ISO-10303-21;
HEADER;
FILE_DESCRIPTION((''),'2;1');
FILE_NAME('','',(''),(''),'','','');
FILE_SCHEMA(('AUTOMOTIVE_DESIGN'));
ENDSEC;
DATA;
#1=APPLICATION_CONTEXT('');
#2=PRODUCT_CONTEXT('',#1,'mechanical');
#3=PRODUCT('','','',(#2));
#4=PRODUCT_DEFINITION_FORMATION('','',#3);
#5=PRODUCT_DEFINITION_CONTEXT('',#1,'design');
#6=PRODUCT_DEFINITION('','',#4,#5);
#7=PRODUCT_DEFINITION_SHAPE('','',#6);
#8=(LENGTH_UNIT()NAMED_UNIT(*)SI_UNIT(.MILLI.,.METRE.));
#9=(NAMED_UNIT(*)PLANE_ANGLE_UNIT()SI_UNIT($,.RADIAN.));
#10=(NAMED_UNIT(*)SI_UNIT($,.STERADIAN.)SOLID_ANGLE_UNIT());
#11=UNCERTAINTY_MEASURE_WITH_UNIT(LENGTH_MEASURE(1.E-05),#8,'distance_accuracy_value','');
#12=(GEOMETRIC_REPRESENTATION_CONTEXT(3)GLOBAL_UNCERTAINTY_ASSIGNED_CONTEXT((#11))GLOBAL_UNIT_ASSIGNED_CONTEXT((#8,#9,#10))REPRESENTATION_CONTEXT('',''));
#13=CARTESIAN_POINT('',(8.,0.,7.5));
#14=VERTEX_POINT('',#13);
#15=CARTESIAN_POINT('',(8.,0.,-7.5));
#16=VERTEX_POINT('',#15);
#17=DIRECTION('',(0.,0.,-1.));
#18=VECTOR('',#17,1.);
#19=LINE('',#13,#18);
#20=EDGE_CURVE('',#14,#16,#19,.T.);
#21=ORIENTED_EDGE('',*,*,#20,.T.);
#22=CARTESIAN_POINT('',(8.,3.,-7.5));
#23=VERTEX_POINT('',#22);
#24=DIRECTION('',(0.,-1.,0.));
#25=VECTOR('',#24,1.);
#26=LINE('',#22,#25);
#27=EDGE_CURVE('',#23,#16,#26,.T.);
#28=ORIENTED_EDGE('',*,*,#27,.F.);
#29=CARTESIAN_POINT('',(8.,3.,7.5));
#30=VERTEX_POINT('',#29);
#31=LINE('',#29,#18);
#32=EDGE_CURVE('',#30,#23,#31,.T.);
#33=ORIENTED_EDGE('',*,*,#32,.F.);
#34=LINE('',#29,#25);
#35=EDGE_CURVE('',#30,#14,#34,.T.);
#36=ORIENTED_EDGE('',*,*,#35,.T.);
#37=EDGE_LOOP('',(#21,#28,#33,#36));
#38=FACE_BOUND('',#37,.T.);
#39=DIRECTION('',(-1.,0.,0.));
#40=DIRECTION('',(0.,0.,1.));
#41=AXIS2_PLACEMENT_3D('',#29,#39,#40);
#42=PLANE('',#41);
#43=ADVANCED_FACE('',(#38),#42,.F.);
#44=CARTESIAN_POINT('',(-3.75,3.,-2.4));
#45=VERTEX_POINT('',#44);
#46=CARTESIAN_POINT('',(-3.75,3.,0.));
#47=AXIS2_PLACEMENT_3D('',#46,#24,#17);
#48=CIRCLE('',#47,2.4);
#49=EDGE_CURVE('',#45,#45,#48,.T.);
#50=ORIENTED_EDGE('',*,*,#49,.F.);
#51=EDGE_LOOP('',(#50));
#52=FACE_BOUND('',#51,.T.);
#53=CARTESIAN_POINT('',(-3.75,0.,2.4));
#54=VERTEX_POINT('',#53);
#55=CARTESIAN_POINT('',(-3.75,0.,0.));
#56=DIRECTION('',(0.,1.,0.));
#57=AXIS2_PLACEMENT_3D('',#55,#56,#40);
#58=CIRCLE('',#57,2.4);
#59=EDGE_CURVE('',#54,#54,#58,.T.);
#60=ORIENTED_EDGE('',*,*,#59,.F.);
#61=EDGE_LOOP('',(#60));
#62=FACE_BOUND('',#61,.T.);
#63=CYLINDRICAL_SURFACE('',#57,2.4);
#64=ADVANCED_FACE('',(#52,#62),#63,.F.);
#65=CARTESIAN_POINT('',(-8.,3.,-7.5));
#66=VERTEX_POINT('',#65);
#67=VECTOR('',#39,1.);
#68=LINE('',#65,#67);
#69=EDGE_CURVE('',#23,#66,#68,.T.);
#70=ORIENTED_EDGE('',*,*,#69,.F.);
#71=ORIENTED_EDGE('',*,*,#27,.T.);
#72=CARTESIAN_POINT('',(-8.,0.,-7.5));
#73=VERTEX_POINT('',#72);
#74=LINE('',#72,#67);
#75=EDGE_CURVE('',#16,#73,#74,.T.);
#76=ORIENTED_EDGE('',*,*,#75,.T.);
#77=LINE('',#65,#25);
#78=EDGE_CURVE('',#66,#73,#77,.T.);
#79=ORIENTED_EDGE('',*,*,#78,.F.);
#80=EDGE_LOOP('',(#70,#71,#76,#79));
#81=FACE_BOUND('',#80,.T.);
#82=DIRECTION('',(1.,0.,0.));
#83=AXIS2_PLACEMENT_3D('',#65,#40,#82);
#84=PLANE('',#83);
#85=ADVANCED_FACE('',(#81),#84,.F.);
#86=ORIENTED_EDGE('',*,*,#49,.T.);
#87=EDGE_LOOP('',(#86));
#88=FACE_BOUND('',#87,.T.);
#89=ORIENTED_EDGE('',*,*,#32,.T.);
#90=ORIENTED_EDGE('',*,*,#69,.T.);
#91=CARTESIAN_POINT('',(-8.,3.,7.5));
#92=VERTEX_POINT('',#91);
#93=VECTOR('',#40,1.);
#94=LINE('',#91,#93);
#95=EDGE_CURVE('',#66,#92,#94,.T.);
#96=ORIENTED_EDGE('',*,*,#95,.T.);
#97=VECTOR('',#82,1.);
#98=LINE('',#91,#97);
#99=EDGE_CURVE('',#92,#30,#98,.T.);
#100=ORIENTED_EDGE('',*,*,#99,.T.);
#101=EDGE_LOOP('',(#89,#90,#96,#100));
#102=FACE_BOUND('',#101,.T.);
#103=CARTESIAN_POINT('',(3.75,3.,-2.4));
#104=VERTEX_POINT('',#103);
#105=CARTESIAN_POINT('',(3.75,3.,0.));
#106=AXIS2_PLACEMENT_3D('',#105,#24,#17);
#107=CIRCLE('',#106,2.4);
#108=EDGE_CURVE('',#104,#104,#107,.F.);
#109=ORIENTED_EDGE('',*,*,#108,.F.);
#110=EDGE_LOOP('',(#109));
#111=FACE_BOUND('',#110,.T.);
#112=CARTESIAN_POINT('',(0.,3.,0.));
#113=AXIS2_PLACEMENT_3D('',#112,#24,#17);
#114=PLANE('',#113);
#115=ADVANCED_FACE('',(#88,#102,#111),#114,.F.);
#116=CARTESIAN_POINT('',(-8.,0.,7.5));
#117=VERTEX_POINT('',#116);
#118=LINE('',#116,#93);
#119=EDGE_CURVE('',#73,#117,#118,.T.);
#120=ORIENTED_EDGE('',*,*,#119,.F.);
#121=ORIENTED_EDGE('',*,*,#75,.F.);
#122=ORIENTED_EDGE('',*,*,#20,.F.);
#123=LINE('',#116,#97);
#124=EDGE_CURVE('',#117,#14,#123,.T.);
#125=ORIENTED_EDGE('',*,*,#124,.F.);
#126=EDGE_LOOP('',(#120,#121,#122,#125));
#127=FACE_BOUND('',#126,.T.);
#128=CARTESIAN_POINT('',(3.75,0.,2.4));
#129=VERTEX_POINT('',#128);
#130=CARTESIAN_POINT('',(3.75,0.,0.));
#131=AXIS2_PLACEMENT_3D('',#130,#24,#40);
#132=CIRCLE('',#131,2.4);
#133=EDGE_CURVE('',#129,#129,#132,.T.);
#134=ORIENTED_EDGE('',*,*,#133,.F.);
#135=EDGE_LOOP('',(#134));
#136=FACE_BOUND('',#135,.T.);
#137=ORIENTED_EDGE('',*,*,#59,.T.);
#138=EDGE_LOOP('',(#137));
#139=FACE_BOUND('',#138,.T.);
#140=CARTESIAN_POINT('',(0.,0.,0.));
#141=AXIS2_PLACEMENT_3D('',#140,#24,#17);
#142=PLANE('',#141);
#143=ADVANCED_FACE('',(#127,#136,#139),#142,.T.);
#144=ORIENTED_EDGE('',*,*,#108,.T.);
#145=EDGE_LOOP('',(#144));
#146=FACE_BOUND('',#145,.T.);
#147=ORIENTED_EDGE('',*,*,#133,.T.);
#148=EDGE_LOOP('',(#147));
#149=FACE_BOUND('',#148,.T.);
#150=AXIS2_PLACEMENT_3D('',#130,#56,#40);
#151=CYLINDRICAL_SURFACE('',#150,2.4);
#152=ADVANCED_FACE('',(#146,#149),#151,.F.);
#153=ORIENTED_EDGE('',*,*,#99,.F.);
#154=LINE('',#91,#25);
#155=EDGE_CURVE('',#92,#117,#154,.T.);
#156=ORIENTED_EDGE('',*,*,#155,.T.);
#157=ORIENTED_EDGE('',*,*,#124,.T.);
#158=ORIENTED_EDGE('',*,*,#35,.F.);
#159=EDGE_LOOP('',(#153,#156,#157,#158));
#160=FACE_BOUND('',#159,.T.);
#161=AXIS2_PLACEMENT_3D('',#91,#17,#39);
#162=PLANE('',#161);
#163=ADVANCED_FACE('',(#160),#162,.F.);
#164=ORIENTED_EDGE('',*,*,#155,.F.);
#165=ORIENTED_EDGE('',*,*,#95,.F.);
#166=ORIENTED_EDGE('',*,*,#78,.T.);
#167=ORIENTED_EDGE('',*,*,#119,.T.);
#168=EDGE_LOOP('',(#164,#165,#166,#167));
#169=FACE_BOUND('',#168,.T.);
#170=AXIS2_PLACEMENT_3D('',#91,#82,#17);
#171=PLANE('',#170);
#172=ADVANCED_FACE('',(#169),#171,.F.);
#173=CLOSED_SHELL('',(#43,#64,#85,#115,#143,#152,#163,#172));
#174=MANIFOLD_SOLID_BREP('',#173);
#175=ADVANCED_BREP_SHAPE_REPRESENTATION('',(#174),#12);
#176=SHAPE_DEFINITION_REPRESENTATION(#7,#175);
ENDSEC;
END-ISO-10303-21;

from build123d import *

# Parameters (mm, degrees)
SKETCH1_W           = 16
SKETCH1_H           = 15
BOSS_EXTRUDE1_DEPTH = 3
CUT_EXTRUDE1_START  = -4
SKETCH2_R           = 2.4
CUT_EXTRUDE1_DEPTH  = 5


with BuildPart() as part:
    # Sketch1 → Boss-Extrude1 (new body)
    with BuildSketch(Plane(origin=(0, 0, 0), x_dir=(1, 0, 0), z_dir=(0, 1, 0))):
        Rectangle(SKETCH1_W, SKETCH1_H)
    extrude(amount=BOSS_EXTRUDE1_DEPTH)

    # Sketch2 → Cut-Extrude1 (cut)
    with BuildSketch(Plane(origin=(0, 3, 0), x_dir=(1, 0, 0), z_dir=(0, 1, 0)).offset(CUT_EXTRUDE1_START)):
        with Locations((-3.75, 0)):
            Circle(SKETCH2_R)
    cut_extrude1 = extrude(amount=CUT_EXTRUDE1_DEPTH, mode=Mode.SUBTRACT)

    # Mirror1: Cut-Extrude1 across plane
    add(cut_extrude1.mirror(Plane(origin=(0, 0, 0), x_dir=(0, 0, 1), z_dir=(1, 0, 0))), mode=Mode.SUBTRACT)


solid = part.part
